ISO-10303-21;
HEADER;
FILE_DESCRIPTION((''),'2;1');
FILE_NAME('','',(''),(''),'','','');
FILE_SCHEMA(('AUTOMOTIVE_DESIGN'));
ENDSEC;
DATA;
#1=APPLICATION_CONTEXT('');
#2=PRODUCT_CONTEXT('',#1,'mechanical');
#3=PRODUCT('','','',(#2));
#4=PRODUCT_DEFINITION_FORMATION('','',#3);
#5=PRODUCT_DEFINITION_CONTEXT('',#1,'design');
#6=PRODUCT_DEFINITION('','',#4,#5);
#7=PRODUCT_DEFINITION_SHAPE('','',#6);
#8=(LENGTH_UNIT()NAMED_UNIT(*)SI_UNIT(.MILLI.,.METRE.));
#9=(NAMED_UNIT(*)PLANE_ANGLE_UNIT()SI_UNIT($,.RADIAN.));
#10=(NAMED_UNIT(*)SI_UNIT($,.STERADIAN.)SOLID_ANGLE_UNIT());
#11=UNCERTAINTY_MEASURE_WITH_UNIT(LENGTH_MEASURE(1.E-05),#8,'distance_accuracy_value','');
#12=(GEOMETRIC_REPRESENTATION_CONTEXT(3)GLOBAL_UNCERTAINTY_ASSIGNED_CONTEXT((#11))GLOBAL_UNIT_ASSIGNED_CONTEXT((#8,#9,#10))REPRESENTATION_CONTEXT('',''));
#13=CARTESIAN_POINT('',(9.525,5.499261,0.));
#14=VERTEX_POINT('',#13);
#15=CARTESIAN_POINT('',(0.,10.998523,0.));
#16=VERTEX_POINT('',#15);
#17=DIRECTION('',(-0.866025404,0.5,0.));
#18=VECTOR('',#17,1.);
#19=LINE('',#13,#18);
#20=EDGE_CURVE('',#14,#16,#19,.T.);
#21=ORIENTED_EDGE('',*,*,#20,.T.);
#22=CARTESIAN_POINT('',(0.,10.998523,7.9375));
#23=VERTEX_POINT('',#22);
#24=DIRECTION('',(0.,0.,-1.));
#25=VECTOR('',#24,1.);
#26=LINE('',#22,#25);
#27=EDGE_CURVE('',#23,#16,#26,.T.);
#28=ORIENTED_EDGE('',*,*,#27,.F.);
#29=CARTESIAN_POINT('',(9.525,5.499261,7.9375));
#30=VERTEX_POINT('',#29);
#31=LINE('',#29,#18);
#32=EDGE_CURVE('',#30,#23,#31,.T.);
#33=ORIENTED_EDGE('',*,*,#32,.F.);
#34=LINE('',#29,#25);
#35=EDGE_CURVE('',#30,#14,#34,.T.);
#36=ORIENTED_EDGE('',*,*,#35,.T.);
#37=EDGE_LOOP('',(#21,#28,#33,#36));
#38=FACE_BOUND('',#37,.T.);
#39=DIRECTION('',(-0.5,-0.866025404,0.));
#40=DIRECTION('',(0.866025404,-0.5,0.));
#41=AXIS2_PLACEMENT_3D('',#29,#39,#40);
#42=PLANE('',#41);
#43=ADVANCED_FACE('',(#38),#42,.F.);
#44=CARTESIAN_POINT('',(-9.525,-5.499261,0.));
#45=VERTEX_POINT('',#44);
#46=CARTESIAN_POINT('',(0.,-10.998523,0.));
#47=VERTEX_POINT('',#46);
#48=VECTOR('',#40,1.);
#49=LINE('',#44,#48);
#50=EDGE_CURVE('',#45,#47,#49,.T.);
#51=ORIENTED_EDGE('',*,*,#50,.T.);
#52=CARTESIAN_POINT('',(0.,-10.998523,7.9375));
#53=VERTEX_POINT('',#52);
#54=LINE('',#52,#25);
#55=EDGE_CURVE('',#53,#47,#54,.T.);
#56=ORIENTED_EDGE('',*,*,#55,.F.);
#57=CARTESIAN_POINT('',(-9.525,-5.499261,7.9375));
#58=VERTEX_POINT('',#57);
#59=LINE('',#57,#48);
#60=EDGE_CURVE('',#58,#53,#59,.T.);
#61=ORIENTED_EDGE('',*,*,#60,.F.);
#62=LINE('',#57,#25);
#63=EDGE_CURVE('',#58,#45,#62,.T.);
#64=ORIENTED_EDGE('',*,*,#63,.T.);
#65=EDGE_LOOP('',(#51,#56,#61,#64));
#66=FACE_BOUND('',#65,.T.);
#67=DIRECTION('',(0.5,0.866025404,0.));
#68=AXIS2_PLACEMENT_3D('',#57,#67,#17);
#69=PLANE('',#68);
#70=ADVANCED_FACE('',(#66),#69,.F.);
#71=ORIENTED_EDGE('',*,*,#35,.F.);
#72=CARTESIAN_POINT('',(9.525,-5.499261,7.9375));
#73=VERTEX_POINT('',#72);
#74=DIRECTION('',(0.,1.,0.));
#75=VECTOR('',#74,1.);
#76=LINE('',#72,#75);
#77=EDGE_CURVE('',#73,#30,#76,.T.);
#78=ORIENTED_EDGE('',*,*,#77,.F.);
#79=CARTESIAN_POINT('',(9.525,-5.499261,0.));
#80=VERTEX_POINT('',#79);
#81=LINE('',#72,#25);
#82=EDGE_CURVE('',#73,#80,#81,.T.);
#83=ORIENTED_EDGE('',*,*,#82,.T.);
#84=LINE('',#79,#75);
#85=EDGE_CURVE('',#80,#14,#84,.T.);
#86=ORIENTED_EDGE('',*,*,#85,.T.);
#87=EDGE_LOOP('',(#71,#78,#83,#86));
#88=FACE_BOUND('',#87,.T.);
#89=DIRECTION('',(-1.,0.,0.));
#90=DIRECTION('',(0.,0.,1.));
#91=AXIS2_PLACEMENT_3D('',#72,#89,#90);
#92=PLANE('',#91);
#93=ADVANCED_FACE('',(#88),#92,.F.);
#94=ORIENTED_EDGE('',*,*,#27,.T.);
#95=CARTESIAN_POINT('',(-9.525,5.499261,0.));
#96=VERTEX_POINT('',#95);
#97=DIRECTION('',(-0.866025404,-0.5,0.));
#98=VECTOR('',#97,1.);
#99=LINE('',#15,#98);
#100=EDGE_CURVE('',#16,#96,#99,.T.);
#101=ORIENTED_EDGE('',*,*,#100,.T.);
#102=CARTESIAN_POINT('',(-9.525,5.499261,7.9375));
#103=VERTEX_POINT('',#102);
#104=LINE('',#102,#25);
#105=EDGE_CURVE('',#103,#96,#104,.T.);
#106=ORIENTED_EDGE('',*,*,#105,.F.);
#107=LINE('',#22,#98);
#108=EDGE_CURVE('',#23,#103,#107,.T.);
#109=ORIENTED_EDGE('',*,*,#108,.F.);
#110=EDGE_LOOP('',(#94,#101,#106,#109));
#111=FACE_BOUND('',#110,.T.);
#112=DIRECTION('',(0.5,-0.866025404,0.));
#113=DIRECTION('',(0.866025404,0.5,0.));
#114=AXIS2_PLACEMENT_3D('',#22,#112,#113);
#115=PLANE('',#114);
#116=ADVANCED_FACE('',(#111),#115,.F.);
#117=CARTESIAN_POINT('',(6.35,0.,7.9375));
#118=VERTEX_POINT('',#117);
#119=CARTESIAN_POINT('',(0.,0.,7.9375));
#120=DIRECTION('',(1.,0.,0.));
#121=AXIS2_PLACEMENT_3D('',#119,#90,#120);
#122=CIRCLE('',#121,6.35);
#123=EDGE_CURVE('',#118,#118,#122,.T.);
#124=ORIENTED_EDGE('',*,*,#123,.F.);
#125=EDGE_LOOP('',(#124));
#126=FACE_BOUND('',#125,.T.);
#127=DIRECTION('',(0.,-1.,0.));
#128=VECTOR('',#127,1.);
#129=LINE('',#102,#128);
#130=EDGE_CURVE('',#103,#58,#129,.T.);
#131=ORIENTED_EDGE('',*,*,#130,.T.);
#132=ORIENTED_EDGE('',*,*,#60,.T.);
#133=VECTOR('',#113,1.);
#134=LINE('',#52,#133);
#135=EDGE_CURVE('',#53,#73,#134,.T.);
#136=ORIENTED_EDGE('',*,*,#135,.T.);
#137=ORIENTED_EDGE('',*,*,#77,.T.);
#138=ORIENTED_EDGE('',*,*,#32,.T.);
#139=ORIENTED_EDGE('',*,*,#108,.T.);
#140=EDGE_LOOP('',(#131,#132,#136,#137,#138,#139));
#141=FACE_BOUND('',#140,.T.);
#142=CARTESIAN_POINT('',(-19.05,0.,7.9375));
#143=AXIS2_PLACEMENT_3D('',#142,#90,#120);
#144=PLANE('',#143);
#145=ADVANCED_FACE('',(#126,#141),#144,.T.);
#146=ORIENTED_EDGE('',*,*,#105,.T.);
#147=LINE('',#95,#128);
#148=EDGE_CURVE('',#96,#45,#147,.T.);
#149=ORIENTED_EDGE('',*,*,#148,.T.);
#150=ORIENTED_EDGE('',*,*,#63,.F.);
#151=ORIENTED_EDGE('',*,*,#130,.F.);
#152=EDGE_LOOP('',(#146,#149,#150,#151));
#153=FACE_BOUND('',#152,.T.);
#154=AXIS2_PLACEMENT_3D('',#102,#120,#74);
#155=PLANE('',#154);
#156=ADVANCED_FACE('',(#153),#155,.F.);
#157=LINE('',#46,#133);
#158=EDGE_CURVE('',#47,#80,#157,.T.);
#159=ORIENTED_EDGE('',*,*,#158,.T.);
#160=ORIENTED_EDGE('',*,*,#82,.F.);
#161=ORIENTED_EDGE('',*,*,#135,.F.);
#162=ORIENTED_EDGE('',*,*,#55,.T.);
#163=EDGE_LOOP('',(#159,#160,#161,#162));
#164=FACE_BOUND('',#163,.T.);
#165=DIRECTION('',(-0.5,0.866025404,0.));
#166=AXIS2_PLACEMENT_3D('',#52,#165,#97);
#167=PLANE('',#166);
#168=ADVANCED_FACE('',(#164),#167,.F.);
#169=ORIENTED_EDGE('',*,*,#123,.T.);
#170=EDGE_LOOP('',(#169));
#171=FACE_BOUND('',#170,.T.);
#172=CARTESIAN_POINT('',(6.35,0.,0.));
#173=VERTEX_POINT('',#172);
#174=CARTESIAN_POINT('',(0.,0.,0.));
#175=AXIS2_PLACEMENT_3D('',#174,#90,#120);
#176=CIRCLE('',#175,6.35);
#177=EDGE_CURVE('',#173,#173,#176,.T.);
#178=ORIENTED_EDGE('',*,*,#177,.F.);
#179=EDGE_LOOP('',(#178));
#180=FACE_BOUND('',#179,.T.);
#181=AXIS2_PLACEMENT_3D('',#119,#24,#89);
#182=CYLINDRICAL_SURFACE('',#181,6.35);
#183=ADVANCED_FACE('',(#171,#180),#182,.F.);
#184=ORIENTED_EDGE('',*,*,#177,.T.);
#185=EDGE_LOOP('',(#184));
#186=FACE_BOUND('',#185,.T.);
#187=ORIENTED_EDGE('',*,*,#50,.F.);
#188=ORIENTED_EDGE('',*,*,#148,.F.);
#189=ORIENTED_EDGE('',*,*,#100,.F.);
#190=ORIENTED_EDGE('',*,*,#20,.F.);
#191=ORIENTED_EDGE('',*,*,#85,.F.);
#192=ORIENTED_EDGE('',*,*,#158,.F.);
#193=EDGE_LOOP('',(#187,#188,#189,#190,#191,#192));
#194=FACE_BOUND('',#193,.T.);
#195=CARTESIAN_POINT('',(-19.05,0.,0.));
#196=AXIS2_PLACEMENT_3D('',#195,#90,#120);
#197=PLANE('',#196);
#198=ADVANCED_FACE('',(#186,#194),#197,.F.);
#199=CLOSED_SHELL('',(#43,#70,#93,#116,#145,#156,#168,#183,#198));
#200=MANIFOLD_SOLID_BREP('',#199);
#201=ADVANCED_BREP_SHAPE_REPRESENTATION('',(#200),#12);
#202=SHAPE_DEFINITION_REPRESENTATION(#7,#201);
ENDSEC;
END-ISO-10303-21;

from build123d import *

# Parameters (mm, degrees)
SKETCH1_R      = 6.35
EXTRUDE1_DEPTH = 7.9375


with BuildPart() as part:
    # Sketch1 → Extrude1 (new body)
    with BuildSketch(Plane.XY):
        Polygon((-9.525, 5.499261314), (-9.525, -5.499261314), (0, -10.998522628), (9.525, -5.499261314), (9.525, 5.499261314), (0, 10.998522628), align=None)
        Circle(SKETCH1_R, mode=Mode.SUBTRACT)
    extrude(amount=EXTRUDE1_DEPTH)


solid = part.part
